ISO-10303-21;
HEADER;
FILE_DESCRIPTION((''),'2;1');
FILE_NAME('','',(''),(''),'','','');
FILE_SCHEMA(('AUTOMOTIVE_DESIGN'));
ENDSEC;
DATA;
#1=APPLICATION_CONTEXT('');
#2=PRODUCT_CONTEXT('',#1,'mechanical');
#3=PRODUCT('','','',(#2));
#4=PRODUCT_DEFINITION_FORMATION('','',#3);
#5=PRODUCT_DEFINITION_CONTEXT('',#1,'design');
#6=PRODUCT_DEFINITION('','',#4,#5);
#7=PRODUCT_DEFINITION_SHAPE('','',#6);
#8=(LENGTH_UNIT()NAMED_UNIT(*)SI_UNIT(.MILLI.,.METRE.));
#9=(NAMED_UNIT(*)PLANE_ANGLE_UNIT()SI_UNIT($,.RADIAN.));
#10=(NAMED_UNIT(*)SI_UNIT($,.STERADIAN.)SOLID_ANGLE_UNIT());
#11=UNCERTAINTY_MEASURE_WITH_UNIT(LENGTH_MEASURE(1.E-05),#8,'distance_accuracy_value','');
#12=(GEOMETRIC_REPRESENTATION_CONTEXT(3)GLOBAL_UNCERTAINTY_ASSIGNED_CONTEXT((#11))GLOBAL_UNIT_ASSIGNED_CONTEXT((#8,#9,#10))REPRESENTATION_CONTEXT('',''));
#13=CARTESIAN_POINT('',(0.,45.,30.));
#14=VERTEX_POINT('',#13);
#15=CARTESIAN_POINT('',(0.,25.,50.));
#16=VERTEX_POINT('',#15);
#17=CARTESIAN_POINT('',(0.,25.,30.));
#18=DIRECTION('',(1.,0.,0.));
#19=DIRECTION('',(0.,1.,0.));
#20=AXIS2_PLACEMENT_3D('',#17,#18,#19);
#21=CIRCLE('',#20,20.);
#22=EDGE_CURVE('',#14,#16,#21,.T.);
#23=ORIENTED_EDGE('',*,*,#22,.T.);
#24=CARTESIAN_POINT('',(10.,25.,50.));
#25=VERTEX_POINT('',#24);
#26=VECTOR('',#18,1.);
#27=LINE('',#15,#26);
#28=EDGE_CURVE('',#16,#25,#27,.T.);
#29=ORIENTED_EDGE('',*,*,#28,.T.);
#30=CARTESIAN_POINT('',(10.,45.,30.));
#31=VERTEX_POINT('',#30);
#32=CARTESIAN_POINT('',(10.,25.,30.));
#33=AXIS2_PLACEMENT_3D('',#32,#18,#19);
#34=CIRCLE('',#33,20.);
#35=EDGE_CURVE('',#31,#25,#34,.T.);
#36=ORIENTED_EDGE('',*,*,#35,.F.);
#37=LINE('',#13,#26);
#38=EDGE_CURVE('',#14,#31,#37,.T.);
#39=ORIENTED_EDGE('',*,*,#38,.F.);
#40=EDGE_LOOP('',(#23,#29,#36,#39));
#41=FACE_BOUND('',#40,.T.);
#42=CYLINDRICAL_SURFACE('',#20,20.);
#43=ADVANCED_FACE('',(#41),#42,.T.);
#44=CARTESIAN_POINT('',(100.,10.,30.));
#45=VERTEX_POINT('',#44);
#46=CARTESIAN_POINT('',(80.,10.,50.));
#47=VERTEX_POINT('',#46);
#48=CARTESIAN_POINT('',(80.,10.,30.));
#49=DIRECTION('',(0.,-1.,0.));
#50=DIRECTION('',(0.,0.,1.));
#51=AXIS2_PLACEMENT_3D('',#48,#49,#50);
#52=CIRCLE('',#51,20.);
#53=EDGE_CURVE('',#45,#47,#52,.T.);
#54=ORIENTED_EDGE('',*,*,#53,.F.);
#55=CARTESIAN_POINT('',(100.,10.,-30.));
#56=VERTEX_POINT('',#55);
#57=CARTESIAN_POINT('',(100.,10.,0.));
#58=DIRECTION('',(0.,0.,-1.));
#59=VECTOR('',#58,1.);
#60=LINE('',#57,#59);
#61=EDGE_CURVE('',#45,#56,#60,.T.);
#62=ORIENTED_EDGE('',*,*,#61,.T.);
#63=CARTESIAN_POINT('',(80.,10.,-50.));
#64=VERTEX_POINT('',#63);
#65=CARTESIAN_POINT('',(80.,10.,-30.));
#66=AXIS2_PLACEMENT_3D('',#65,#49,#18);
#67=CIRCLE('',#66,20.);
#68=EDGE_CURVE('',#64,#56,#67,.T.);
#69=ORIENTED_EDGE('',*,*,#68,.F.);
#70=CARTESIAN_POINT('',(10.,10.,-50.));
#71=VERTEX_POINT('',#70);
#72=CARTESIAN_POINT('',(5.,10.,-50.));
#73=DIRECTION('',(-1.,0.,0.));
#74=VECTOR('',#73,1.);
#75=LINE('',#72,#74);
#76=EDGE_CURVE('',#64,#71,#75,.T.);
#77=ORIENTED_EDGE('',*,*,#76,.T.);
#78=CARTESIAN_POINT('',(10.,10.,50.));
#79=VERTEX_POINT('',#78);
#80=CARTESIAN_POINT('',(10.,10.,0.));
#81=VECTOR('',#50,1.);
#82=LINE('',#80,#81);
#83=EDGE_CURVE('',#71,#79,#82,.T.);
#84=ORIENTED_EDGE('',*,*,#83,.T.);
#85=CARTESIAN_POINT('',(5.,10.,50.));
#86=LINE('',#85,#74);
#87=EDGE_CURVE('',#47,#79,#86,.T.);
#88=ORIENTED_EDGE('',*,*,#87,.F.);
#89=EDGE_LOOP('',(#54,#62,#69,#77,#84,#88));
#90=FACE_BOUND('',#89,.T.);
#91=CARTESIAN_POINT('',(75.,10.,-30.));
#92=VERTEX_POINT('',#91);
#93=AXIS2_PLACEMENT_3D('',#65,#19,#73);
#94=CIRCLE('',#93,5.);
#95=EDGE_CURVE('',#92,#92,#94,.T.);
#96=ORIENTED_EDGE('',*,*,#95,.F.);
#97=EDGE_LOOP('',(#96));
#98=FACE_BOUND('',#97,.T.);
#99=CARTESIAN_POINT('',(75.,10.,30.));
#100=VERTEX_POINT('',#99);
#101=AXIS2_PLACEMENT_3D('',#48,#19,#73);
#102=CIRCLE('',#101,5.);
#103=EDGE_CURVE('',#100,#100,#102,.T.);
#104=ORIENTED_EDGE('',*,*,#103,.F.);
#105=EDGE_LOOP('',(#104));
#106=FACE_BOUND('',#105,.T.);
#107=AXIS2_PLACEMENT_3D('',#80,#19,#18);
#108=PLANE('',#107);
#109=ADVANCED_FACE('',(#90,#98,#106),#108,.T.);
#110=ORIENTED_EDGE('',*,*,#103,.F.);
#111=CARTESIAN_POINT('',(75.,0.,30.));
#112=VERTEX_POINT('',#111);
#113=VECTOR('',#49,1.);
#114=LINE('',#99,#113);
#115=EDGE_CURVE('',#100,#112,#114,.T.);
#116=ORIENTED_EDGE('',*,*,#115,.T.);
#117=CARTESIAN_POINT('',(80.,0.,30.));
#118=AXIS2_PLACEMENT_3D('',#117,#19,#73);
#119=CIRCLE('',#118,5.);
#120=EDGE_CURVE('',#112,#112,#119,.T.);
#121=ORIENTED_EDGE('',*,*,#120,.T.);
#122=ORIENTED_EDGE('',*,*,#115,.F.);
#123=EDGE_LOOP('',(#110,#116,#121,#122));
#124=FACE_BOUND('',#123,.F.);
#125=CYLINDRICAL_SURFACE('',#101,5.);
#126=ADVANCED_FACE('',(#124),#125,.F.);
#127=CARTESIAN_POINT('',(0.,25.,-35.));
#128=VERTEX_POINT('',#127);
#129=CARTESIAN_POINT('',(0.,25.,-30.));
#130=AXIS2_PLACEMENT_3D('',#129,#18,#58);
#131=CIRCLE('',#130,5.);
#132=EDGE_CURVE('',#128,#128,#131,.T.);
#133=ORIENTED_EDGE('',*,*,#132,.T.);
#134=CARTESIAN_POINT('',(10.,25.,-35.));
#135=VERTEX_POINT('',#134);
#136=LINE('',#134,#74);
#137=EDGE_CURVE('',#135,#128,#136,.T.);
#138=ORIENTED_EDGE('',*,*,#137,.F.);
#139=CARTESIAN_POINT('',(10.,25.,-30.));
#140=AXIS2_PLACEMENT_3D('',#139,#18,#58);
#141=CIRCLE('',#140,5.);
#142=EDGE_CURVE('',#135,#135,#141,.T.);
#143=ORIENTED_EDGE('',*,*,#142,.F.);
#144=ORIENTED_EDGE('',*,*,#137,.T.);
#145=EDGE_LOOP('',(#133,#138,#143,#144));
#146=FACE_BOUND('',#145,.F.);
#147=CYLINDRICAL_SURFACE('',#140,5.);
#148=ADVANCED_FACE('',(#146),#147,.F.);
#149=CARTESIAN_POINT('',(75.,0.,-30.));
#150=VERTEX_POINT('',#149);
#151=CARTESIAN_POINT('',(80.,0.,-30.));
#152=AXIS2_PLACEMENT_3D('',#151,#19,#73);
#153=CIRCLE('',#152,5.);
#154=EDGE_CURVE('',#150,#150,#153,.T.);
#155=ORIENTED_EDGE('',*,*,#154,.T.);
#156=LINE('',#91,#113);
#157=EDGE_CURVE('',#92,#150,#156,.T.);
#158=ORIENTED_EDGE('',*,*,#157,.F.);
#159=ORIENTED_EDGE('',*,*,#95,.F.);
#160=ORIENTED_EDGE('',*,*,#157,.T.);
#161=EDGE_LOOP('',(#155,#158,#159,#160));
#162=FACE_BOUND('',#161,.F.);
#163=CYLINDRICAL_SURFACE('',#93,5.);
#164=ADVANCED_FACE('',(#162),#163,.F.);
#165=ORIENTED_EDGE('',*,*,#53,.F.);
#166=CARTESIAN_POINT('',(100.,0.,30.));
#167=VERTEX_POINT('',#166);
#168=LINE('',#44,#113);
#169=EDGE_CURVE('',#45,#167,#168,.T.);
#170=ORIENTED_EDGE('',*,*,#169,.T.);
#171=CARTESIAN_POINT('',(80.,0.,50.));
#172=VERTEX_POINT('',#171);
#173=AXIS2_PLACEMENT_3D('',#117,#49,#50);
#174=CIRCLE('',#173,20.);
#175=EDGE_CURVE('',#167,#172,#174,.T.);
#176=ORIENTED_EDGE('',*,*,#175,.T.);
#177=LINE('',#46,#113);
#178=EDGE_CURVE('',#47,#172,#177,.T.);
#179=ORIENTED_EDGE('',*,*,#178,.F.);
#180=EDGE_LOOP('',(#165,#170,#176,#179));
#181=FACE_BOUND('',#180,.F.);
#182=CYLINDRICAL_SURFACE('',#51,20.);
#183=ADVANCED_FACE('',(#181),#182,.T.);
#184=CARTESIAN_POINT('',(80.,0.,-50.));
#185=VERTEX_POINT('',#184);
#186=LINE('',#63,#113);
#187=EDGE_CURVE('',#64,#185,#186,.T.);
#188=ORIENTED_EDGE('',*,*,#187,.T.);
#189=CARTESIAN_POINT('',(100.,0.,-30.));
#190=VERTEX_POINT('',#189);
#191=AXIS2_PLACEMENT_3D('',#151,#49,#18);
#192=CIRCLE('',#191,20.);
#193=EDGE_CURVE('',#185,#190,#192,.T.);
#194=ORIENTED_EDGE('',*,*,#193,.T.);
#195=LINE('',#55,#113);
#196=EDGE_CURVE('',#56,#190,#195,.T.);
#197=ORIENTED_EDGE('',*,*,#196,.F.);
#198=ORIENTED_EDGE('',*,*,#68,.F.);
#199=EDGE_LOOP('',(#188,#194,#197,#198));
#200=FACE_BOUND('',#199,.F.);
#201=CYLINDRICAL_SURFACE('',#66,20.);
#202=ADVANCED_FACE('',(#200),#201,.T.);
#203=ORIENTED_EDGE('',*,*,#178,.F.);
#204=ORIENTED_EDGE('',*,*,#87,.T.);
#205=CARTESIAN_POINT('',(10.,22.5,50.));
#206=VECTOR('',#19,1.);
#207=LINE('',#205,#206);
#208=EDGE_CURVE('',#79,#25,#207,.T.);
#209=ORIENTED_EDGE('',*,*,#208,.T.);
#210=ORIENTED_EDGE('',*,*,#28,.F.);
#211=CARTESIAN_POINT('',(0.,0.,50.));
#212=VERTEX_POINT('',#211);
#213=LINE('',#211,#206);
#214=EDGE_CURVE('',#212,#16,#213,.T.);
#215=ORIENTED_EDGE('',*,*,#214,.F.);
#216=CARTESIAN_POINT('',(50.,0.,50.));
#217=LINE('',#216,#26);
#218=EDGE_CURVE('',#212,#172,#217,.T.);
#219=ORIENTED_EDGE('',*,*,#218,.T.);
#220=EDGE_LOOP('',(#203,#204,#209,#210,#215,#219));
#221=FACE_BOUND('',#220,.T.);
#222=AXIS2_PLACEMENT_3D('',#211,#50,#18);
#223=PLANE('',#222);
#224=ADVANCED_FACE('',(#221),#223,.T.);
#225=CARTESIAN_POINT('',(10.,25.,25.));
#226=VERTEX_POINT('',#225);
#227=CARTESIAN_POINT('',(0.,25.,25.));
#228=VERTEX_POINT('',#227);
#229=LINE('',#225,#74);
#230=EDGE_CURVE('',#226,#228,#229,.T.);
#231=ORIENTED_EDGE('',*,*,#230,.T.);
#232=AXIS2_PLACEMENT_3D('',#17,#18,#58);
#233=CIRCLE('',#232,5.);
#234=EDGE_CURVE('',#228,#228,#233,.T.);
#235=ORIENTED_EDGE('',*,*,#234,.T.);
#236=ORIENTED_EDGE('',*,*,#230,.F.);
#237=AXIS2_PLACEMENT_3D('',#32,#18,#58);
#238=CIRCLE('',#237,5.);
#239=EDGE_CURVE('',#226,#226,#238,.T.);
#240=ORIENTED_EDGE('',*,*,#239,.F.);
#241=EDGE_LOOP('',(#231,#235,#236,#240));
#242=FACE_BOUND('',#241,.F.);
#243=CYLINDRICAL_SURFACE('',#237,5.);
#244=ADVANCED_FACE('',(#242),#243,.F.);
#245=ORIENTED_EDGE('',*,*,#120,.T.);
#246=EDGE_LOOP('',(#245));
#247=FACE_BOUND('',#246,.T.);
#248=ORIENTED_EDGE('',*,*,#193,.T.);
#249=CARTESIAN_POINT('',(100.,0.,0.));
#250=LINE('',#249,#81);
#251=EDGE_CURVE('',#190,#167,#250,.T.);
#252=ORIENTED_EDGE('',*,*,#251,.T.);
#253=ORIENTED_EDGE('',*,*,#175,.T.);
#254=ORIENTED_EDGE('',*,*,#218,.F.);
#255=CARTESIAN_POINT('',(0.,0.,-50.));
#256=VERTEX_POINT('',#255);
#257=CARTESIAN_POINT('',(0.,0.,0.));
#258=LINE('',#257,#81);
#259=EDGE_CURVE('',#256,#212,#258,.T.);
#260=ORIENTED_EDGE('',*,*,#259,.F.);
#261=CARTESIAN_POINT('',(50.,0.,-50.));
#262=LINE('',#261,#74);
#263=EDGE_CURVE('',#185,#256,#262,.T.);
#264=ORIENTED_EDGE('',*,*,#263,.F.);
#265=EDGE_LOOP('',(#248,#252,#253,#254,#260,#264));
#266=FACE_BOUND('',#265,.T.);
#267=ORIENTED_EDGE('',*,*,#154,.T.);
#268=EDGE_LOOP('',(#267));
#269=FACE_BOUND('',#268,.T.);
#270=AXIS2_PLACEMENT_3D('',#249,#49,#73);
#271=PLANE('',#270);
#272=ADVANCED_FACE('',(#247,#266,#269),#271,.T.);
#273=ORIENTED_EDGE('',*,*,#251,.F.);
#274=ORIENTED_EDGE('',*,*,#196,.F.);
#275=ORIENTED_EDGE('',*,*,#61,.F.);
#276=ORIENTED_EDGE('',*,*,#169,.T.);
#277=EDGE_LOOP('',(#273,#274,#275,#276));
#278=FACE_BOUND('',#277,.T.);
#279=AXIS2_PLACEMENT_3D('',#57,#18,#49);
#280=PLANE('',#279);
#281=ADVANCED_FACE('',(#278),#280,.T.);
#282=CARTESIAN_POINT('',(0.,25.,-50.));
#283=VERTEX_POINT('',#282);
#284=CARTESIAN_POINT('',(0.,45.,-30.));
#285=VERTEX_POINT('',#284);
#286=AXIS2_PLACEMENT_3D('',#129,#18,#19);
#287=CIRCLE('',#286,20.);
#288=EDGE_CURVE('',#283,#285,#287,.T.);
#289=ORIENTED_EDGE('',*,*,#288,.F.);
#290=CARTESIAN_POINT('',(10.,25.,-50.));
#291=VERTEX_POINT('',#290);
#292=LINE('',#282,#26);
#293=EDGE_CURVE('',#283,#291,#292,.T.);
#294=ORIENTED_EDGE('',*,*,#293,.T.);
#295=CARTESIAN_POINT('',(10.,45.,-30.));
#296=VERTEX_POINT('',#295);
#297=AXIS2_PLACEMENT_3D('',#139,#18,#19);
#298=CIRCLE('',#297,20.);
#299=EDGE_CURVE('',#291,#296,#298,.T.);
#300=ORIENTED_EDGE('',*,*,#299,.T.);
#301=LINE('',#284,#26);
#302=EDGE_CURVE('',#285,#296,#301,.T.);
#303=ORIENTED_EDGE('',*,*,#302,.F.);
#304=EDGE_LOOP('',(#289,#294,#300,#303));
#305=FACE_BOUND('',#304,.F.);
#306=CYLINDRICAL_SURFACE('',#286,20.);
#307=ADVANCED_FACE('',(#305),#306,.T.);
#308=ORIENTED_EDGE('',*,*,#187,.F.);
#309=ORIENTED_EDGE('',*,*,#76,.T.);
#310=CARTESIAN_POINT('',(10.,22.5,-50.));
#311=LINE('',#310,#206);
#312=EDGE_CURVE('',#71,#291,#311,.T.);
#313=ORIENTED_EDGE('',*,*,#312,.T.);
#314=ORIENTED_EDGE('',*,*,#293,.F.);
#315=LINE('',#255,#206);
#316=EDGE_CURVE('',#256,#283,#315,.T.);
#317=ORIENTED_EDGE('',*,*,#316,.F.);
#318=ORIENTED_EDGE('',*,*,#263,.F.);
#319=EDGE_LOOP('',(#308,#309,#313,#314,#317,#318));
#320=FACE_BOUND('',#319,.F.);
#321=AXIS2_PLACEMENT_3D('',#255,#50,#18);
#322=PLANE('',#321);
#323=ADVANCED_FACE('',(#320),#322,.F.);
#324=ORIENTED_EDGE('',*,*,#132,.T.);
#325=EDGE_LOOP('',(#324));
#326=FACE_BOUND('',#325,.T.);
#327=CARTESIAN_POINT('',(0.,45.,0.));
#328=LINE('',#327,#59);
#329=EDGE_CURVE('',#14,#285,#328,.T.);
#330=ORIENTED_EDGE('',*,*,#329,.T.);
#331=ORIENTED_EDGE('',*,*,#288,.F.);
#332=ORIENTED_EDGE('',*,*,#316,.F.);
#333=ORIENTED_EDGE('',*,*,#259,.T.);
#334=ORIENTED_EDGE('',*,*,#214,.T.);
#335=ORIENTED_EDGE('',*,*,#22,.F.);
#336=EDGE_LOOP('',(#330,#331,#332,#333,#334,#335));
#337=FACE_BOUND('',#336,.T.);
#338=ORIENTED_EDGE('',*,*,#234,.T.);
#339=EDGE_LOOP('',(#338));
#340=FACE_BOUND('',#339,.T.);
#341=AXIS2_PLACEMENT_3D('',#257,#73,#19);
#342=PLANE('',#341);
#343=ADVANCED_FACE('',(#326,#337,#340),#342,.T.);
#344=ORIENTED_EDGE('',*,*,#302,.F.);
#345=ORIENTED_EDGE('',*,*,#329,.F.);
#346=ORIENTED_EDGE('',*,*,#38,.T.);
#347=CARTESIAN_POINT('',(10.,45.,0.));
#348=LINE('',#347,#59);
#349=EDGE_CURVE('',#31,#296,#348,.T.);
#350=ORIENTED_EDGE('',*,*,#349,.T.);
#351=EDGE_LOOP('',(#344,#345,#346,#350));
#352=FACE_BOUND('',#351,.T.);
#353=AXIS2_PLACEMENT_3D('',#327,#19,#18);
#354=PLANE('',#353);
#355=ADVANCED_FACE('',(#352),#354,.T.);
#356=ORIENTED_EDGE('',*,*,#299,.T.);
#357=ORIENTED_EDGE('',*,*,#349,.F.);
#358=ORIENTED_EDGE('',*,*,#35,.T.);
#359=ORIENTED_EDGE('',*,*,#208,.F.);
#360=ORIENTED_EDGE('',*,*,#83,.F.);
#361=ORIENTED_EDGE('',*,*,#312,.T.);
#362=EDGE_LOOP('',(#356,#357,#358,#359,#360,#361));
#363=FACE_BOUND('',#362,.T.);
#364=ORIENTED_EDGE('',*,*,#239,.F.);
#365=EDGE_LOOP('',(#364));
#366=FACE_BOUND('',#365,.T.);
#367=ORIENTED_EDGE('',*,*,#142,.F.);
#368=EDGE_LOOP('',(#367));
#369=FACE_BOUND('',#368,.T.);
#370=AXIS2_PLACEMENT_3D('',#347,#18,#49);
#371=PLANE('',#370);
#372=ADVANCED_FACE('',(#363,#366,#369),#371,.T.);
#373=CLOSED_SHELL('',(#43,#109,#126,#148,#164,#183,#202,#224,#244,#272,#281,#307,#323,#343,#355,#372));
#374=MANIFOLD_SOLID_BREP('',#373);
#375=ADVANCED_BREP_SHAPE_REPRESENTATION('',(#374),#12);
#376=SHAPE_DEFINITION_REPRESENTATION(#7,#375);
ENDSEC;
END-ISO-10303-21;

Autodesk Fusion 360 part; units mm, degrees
sketch "Sketch1" plane through (0, 0, 0) normal (0, 0, 1) x (1, 0, 0)
  line L0 (0, 0) -> (0, 45)
  line L1 (0, 45) -> (10, 45)
  line L2 (10, 45) -> (10, 10)
  line L3 (10, 10) -> (100, 10)
  line L4 (100, 10) -> (100, 0)
  line L5 (100, 0) -> (0, 0)
  dimension "d1" = 10
  dimension "d2" = 100
  dimension "d3" = 45
extrude "Extrude1" add sketch "Sketch1" along normal mid plane 100
fillet "Fillet1" radius 20 4 edges at (5, 45, 50) (5, 45, -50) (100, 5, -50) (100, 5, 50)
sketch "Sketch2" plane through (10, 0, 0) normal (1, 0, 0) x (0, 0, -1)
  arc A0 (50, 25) -> (30, 45) centre (30, 25) ccw
  line L0 (30, 45) -> (-30, 45)
  arc A1 (-30, 45) -> (-50, 25) centre (-30, 25) ccw
  line L1 (-50, 25) -> (-50, 10)
  line L2 (-50, 10) -> (50, 10)
  line L3 (50, 10) -> (50, 25)
  circle A2 centre (-30, 25) radius 10
  circle A3 centre (30, 25) radius 10
  dimension "d7" = 20
extrude "Extrude2" cut sketch "Sketch2" against normal through all contours A2 | A3
sketch "Sketch3" plane through (0, 10, 0) normal (0, 1, 0) x (-1, 0, 0)
  arc A0 (-80, 50) -> (-100, 30) centre (-80, 30) ccw
  line L0 (-100, 30) -> (-100, -30)
  arc A1 (-100, -30) -> (-80, -50) centre (-80, -30) ccw
  line L1 (-80, -50) -> (-10, -50)
  line L2 (-10, -50) -> (-10, 50)
  line L3 (-10, 50) -> (-80, 50)
  circle A2 centre (-80, -30) radius 10
  circle A3 centre (-80, 30) radius 10
  dimension "d9" = 20
extrude "Extrude3" cut sketch "Sketch3" against normal through all contours A2 | A3
move_face "OffsetFaces1" offset 5 4 faces at (6.6667, 24.0043, 20.0497) (6.6667, 24.0043, -39.9503) (70.0497, 6.6667, -30.9957) (70.0497, 6.6667, 29.0043)
